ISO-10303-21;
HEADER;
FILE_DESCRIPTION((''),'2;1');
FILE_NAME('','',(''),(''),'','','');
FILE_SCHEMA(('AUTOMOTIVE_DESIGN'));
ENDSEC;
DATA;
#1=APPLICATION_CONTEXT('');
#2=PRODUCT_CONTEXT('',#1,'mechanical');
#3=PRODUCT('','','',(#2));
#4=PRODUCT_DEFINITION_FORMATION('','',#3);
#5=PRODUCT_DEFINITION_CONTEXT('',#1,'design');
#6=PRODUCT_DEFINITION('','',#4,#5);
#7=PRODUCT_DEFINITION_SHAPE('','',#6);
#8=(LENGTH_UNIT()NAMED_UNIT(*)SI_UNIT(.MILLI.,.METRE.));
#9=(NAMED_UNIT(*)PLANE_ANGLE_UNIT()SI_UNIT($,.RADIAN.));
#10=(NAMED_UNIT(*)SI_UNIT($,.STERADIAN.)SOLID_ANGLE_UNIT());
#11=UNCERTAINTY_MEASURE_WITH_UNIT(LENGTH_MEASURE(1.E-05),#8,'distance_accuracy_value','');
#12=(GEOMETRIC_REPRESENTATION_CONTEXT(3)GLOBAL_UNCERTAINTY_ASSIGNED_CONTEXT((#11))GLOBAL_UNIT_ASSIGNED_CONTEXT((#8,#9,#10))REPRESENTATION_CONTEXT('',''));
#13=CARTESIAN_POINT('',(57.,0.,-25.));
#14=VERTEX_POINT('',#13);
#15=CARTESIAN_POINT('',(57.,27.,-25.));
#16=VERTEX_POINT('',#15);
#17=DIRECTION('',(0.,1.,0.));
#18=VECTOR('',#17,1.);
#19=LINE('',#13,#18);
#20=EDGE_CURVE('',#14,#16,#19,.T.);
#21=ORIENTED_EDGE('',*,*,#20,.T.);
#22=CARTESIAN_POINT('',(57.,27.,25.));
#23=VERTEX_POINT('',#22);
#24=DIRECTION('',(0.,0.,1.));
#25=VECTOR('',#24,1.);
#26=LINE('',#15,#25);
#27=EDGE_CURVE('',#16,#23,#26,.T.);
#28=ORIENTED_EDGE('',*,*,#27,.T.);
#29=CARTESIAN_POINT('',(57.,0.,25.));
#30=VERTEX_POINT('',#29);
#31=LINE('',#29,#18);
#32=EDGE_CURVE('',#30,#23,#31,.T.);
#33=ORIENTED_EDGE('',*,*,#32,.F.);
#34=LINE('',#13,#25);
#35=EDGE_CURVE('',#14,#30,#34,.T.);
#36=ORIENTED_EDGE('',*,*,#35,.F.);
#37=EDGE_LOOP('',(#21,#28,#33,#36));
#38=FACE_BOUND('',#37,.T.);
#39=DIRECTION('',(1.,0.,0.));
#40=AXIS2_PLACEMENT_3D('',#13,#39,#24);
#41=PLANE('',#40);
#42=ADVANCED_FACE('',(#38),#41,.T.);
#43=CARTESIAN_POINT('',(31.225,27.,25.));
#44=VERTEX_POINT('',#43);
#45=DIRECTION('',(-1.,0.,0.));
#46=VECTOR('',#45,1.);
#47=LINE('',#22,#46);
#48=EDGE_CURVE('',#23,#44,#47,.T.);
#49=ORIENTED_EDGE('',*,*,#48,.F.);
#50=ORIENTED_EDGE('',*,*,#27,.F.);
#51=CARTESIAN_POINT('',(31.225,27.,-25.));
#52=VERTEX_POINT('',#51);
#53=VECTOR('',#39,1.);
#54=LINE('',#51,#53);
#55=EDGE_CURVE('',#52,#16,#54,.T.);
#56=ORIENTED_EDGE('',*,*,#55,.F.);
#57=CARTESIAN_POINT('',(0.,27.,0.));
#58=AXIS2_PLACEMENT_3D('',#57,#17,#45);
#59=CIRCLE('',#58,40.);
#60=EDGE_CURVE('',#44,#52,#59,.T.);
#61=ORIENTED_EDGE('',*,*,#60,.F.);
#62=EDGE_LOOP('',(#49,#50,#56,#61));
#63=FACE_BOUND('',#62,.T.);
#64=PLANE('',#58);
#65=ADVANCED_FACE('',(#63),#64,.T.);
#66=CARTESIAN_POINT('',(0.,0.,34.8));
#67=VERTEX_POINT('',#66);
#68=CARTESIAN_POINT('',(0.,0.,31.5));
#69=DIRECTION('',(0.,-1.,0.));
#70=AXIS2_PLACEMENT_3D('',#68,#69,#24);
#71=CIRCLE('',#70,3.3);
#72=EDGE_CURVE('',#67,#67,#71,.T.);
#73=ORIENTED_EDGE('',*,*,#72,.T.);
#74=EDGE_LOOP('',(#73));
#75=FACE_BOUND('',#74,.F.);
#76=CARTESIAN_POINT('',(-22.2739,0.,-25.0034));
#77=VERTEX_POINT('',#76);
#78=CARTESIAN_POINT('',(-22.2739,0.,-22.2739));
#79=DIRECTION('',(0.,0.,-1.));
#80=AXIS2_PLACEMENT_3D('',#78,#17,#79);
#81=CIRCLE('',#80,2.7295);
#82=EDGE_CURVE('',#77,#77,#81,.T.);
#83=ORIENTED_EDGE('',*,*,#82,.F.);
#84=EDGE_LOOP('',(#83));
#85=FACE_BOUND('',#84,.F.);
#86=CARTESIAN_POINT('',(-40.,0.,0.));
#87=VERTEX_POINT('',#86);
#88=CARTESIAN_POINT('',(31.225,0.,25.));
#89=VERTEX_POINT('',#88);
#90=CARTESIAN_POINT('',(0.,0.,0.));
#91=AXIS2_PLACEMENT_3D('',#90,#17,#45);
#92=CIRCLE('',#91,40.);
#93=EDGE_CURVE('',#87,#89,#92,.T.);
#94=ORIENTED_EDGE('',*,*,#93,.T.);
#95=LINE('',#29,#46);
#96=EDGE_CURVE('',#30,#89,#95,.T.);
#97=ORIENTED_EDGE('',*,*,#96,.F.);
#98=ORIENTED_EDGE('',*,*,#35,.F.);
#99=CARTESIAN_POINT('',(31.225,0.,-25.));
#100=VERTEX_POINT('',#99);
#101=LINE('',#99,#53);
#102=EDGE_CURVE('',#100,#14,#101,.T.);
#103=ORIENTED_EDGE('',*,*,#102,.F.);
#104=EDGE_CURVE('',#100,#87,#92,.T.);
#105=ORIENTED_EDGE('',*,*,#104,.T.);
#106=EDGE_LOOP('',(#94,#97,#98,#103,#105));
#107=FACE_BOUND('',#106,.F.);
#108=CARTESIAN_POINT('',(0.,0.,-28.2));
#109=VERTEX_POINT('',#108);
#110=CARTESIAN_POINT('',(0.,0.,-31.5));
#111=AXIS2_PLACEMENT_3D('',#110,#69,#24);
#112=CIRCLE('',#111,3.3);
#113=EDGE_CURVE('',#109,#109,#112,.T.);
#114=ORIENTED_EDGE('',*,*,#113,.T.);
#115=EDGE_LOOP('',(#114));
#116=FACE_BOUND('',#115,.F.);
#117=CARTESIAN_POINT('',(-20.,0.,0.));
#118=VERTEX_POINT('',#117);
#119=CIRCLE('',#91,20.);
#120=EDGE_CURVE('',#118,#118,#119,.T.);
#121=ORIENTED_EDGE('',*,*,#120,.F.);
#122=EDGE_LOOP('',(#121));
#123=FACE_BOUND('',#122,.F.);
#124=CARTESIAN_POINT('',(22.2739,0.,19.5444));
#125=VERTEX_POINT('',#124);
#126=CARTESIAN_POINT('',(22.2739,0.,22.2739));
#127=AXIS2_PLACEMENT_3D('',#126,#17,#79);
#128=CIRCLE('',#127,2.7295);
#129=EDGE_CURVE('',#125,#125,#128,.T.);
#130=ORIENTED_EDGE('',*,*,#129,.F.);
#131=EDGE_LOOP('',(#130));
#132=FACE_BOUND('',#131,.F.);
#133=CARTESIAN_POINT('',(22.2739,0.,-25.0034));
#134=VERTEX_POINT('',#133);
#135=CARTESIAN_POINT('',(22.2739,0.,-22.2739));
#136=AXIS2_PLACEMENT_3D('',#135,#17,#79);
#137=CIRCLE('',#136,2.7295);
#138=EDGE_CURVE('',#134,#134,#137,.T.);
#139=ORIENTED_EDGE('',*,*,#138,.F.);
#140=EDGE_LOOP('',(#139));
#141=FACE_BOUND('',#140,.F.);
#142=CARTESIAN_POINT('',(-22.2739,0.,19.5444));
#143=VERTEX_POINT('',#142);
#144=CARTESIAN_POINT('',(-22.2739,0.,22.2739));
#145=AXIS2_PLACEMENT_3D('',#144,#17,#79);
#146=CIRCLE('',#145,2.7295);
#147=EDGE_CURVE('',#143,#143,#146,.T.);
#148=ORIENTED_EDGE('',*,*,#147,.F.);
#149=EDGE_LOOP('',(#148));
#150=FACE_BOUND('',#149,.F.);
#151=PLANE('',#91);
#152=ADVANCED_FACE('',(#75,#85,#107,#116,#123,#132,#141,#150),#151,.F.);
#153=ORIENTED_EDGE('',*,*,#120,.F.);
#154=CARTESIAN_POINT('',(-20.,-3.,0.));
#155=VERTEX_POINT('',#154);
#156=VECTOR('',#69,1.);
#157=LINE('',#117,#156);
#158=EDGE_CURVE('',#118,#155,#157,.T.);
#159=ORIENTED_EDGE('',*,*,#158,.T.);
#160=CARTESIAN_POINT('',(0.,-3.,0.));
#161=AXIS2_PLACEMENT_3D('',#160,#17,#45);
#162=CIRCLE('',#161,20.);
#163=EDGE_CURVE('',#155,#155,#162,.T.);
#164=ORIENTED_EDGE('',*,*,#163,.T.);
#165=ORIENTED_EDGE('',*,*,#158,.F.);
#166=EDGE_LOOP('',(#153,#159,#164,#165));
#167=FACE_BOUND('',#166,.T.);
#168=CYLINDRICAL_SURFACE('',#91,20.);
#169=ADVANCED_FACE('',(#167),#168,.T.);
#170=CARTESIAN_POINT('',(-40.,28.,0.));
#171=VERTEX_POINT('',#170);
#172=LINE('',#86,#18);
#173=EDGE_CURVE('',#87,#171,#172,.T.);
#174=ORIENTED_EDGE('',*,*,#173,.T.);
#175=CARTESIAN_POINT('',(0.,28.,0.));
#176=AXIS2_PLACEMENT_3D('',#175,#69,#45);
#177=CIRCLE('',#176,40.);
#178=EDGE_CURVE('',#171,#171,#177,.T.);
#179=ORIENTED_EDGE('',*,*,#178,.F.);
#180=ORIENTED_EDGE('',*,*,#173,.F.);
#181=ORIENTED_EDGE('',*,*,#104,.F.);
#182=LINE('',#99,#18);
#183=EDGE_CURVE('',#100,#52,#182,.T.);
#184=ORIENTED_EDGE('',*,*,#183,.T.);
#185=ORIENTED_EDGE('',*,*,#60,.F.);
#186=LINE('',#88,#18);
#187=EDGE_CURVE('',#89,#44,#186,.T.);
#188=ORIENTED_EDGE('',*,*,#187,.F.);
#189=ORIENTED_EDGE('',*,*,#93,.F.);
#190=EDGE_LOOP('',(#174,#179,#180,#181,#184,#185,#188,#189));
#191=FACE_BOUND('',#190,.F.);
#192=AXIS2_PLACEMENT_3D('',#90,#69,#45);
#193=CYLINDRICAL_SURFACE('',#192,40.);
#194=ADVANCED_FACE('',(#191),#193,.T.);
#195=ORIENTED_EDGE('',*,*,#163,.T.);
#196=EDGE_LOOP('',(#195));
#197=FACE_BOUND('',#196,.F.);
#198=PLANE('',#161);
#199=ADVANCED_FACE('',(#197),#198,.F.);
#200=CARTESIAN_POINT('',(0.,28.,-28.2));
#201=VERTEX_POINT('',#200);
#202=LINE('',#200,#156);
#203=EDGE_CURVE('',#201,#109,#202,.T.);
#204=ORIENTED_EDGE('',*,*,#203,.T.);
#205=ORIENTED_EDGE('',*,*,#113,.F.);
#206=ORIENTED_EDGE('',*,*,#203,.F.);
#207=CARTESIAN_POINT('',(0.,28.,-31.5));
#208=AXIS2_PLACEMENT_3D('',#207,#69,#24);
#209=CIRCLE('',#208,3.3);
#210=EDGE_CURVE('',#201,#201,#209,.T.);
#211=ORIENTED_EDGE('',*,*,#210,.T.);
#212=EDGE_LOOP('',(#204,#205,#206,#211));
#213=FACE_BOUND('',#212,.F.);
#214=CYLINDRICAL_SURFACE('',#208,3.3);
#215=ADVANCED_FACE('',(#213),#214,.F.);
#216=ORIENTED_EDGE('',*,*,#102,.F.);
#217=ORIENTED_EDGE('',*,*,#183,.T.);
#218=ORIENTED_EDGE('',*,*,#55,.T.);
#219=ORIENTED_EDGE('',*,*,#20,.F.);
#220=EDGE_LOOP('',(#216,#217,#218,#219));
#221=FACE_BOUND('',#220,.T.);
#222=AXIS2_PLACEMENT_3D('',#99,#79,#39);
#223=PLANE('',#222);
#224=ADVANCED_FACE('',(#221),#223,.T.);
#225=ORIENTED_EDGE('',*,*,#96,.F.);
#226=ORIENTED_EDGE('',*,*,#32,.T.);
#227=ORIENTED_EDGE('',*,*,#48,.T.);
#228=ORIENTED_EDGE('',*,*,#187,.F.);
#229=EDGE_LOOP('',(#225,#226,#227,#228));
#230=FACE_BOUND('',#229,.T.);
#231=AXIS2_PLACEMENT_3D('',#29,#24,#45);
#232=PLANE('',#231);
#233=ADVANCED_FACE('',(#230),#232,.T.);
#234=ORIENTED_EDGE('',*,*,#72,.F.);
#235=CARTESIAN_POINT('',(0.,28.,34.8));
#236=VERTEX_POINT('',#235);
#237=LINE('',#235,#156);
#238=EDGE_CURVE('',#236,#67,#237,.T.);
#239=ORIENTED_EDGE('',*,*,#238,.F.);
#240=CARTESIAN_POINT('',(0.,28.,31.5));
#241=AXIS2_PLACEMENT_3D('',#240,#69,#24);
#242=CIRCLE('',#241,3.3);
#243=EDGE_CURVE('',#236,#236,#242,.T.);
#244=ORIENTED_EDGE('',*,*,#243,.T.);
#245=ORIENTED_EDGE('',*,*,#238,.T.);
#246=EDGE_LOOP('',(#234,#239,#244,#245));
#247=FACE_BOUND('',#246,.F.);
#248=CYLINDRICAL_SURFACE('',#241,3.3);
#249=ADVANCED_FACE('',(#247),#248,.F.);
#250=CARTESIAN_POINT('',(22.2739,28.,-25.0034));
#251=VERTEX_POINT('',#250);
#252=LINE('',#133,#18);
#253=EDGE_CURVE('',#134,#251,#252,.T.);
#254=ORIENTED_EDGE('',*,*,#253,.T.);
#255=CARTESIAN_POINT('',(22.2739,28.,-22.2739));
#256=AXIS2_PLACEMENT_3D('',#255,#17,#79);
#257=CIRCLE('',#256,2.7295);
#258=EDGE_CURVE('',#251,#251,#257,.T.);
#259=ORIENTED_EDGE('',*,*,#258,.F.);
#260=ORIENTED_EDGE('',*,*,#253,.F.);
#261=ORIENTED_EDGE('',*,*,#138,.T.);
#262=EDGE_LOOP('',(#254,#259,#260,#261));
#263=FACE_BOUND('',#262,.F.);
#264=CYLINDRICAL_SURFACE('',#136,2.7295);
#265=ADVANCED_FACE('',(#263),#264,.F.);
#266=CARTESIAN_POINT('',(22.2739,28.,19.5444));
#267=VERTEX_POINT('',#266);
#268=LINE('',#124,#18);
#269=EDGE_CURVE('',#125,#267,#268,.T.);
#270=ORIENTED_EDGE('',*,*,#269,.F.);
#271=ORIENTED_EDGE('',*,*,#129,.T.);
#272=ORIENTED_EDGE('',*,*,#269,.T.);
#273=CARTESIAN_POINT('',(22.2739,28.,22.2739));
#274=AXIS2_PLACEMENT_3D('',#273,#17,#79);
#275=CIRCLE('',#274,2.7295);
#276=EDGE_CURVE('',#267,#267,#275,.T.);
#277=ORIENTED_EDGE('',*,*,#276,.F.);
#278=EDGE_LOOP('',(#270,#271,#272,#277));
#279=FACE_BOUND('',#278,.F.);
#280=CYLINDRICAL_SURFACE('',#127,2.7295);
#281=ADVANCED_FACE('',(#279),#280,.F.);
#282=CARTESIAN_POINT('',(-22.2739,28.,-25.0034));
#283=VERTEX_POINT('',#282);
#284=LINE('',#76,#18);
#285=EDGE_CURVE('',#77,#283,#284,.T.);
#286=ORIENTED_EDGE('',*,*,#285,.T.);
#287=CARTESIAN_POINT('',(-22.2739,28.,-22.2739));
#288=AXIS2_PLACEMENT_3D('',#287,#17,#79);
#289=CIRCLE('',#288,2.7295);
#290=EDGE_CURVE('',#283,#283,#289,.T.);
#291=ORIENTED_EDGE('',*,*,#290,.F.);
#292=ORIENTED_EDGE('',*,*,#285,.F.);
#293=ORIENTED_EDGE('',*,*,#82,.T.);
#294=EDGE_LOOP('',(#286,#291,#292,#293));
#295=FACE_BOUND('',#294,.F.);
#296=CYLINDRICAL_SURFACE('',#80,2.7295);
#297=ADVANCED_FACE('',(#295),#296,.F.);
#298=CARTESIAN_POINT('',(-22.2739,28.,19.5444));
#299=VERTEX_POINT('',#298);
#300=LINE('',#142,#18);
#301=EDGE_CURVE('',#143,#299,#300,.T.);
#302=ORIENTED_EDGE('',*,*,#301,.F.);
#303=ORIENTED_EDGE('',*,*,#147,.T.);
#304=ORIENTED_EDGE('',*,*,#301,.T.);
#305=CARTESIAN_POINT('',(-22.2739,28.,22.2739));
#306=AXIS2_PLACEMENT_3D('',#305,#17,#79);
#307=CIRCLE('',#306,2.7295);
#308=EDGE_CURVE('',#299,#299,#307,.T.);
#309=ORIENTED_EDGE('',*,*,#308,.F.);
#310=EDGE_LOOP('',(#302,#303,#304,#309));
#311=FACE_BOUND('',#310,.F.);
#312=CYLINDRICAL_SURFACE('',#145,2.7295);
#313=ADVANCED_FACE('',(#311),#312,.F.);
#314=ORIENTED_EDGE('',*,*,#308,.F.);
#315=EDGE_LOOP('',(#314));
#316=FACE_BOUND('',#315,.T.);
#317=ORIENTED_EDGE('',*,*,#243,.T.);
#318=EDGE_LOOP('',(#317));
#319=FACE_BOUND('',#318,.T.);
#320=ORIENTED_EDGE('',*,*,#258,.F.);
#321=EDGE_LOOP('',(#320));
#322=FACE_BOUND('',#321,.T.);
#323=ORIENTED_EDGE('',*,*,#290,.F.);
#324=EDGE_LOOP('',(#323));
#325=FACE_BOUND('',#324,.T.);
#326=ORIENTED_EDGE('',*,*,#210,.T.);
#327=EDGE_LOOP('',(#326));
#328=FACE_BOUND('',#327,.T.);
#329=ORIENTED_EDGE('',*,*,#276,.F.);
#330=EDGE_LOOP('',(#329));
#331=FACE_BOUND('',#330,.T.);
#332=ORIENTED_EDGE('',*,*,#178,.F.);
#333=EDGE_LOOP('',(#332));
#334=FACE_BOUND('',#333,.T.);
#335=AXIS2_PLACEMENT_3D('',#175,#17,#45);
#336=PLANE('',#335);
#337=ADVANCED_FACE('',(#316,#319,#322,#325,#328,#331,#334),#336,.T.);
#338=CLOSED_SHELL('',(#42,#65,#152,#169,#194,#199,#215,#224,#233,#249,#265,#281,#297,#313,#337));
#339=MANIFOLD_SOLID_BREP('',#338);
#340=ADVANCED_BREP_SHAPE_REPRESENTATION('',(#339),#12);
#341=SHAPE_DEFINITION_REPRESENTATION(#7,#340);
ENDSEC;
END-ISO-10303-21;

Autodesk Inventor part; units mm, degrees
ref_plane "YZ Plane" through (0, 0, 0) normal (1, 0, 0) x (0, 1, 0)
ref_plane "XZ Plane" through (0, 0, 0) normal (0, 1, 0) x (-1, 0, 0)
ref_plane "XY Plane" through (0, 0, 0) normal (0, 0, 1) x (1, 0, 0)
sketch "Sketch1" plane through (0, 0, 0) normal (0, 1, 0) x (-1, 0, 0)
  circle A0 centre (0, 0) radius 40
  circle A1 centre (0, 0) radius 20
  line L0 (-57, 25) -> (-31.225, 25)
  line L1 (-31.225, -25) -> (-57, -25)
  line L2 (-57, -25) -> (-57, 25)
  point P0 (22.2739, 22.2739)
  point P1 (-22.2739, 22.2739)
  point P2 (-22.2739, -22.2739)
  point P3 (22.2739, -22.2739)
  dimension "d0" = 80
  dimension "d2" = 40
  dimension "d5" = 97
  dimension "d6" = 50
  dimension "d7" = 31.5
  dimension "d10" = 360
extrude "Extrusion1" add sketch "Sketch1" along normal blind 28 contours A0
extrude "Extrusion2" add sketch "Sketch1" along normal blind 28 contours A1
extrude "Extrusion3" add sketch "Sketch1" against normal blind 3 contours A1
extrude "Extrusion4" add sketch "Sketch1" along normal blind 27 contours A0 L1 L2 L0
hole "Hole1" at (-22.2739, 0, 22.2739) at (22.2739, 0, 22.2739) at (22.2739, 0, -22.2739) at (-22.2739, 0, -22.2739) direction (0, 1, 0) diameter 5.459 end through all thread size "M6x0.5" class "6H" standard "ANSI Metric M Profile"
sketch "Sketch2" plane through (0, 28, 0) normal (0, 1, 0) x (1, 0, 0)
  circle A0 centre (0, 0) radius 40 projected
  point P0 (0, 31.5)
  point P1 (0, -31.5)
  dimension "d27" = 31.5
  dimension "d30" = 360
hole "Hole2" at (0, 28, 31.5) at (0, 28, -31.5) direction (0, -1, 0) diameter 6.6 end through all clearance for "Hex Head Bolt" size "M6" standard "Ansi Metric M Profile"
properties part number "CFS080CA501U"
